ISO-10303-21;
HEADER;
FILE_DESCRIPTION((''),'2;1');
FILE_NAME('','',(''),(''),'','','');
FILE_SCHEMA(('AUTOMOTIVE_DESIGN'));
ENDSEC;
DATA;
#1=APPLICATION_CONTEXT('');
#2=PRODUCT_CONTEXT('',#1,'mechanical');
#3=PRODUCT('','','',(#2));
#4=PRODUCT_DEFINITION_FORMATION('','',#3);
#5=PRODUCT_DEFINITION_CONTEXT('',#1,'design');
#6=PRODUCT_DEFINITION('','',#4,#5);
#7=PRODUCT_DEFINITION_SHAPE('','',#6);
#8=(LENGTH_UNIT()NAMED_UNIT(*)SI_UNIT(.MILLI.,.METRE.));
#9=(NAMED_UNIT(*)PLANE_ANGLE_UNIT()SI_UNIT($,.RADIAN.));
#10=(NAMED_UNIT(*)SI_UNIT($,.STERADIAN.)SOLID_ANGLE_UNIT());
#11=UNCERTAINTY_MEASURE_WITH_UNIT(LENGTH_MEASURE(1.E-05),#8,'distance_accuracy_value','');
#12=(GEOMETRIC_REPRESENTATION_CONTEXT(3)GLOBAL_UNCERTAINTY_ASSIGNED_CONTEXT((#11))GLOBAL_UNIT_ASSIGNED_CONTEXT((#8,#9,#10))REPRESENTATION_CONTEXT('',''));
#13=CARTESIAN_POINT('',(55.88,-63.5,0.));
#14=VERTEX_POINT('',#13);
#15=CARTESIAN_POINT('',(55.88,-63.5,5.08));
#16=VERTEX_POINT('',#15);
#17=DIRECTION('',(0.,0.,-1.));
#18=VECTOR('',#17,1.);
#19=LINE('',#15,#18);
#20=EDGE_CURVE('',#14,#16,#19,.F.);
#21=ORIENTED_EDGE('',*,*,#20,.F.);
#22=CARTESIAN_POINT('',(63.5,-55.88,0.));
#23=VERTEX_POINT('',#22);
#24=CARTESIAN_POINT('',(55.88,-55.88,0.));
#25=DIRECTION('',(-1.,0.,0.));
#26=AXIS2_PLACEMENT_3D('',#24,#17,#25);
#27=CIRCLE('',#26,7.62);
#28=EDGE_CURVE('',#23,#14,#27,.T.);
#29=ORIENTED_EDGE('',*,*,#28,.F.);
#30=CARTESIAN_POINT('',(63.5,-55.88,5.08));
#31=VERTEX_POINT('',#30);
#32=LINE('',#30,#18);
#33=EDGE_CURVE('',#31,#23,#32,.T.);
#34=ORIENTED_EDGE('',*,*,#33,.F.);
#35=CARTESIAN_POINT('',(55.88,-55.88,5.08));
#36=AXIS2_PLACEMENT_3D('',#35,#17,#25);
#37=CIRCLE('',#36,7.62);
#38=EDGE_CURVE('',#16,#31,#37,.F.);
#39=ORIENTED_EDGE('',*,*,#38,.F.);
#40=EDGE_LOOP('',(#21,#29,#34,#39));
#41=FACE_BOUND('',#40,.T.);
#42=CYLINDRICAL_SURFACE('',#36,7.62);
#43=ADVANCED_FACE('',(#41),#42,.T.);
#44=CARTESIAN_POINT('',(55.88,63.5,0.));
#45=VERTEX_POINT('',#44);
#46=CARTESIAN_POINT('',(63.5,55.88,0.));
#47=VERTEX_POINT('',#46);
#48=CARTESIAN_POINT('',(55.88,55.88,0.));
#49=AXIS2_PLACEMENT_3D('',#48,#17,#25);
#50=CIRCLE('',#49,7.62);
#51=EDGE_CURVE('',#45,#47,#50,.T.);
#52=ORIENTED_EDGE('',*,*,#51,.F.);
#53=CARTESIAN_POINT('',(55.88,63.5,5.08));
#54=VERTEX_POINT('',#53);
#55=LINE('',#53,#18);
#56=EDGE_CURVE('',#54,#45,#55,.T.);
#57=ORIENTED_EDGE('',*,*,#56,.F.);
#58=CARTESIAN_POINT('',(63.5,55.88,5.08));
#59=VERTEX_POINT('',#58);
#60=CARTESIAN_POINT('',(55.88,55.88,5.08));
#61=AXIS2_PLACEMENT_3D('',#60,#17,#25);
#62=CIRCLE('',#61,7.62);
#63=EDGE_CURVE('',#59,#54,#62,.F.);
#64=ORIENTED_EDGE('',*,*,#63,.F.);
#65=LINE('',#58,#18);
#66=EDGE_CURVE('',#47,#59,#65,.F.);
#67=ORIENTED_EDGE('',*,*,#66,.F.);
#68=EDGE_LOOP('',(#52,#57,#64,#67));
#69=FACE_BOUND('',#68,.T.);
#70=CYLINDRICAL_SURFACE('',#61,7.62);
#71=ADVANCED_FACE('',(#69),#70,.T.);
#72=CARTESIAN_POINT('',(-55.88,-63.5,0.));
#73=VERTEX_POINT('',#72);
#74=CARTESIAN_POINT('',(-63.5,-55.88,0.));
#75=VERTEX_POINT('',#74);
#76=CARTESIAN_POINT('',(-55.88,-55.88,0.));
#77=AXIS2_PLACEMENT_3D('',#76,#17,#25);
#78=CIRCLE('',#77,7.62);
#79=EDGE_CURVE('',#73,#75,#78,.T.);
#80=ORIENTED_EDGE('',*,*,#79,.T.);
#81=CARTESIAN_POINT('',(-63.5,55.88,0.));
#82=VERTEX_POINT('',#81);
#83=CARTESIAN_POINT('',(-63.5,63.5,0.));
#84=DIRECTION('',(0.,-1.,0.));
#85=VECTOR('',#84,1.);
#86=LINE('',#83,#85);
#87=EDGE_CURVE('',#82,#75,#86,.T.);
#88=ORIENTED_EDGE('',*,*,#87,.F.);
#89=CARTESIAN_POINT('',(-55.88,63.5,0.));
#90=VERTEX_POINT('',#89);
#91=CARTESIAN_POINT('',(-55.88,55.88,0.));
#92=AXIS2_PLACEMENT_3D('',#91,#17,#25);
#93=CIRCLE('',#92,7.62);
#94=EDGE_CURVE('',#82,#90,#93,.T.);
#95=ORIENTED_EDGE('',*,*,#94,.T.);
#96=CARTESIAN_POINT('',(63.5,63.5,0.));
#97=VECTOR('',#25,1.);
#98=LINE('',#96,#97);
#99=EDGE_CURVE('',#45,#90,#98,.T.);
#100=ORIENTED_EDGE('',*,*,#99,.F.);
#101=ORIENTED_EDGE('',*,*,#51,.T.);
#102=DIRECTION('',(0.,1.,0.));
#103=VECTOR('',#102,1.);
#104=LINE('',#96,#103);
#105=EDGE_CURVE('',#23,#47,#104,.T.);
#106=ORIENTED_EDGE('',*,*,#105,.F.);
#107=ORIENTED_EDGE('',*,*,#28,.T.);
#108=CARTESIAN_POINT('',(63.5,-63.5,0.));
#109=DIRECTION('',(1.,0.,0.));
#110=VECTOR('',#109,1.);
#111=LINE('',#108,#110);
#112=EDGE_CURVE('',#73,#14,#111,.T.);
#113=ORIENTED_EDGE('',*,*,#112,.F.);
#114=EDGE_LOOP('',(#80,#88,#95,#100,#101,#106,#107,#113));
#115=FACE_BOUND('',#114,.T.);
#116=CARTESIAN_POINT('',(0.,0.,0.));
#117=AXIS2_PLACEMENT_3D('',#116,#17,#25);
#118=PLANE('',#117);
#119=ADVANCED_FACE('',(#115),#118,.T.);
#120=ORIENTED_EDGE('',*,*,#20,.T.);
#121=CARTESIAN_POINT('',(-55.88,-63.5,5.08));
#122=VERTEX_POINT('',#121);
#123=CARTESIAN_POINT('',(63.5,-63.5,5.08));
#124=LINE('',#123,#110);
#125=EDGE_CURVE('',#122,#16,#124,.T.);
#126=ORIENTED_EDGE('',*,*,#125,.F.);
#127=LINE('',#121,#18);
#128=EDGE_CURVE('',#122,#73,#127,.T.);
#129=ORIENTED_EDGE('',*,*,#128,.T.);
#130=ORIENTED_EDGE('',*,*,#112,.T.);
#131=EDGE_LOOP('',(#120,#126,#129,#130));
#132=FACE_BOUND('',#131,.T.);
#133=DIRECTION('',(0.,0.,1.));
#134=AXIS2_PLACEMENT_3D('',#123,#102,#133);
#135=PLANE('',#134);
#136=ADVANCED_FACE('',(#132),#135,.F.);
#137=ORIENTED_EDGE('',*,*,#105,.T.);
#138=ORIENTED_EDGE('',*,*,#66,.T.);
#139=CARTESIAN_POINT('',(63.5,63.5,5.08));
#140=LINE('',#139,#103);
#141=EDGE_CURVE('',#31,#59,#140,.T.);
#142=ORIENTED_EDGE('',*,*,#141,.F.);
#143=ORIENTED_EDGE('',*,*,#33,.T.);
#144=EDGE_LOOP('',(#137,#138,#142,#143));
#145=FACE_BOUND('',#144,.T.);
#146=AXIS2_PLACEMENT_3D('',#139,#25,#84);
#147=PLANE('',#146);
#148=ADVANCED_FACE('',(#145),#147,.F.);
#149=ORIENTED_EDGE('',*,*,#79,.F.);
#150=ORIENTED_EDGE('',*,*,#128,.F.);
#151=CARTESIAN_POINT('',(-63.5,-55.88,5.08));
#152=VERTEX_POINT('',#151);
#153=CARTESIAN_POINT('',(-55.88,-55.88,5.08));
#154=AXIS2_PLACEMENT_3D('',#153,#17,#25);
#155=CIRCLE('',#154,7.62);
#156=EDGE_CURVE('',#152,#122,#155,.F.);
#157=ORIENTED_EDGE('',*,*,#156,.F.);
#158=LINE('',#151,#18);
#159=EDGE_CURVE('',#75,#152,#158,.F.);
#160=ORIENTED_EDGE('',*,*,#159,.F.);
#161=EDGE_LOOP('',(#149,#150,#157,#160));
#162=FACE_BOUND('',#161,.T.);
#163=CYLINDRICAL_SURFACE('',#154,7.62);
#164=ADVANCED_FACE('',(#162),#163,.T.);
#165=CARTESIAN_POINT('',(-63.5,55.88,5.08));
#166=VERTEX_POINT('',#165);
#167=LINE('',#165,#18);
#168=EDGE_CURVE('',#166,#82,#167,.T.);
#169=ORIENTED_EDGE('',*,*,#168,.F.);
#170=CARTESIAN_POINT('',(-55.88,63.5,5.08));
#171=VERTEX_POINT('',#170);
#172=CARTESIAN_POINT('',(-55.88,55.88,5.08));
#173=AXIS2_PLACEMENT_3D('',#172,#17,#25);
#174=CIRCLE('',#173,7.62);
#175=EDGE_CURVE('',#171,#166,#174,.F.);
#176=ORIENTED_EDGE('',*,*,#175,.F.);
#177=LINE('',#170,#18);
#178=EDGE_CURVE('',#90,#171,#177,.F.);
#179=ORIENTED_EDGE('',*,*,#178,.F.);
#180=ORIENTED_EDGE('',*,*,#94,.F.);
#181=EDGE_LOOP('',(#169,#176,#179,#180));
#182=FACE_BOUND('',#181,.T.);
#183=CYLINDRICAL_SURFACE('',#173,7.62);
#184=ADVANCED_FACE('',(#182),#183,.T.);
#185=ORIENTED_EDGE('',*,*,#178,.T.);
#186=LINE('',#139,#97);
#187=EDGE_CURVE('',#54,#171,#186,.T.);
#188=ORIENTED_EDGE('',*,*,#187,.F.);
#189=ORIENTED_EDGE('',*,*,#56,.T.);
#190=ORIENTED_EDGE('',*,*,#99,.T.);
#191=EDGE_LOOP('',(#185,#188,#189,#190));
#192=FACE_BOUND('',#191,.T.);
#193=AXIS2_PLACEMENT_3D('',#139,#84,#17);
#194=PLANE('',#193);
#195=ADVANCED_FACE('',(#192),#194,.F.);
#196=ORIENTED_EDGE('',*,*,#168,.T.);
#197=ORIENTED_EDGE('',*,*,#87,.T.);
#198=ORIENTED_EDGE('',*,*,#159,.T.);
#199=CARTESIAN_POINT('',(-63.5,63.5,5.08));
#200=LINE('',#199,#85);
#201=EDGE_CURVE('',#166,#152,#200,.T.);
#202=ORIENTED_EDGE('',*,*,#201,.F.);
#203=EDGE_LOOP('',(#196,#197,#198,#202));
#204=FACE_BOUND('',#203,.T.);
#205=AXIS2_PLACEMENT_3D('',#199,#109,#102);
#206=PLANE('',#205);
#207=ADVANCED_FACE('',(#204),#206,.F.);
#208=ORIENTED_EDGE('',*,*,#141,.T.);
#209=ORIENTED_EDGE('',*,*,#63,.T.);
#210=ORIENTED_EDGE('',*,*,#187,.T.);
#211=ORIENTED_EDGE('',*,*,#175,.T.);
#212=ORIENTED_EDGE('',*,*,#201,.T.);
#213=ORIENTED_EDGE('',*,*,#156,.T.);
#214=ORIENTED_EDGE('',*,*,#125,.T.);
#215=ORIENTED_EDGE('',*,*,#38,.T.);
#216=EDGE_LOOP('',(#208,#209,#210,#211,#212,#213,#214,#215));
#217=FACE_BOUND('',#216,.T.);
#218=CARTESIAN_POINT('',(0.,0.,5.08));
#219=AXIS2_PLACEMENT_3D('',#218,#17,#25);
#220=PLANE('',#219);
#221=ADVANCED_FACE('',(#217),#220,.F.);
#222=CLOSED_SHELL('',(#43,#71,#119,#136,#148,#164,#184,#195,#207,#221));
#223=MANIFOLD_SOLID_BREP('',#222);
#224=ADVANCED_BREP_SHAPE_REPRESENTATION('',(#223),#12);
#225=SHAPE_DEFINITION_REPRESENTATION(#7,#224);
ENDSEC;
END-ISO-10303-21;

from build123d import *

# Parameters (mm, degrees)
SKETCH1_W           = 127
SKETCH1_H           = 127
BOSS_EXTRUDE1_DEPTH = 5.08
FILLET1_R           = 7.62


with BuildPart() as part:
    # Sketch1 → Boss-Extrude1 (new body)
    with BuildSketch(Plane.XY):
        Rectangle(SKETCH1_W, SKETCH1_H)
    extrude(amount=BOSS_EXTRUDE1_DEPTH)

    # Fillet1
    fillet1_edges = [part.edges().sort_by_distance(p)[0] for p in [
        (-63.5, 63.5, 2.54),
        (63.5, 63.5, 2.54),
        (63.5, -63.5, 2.54),
        (-63.5, -63.5, 2.54),
    ]]
    fillet(fillet1_edges, radius=FILLET1_R)


solid = part.part
